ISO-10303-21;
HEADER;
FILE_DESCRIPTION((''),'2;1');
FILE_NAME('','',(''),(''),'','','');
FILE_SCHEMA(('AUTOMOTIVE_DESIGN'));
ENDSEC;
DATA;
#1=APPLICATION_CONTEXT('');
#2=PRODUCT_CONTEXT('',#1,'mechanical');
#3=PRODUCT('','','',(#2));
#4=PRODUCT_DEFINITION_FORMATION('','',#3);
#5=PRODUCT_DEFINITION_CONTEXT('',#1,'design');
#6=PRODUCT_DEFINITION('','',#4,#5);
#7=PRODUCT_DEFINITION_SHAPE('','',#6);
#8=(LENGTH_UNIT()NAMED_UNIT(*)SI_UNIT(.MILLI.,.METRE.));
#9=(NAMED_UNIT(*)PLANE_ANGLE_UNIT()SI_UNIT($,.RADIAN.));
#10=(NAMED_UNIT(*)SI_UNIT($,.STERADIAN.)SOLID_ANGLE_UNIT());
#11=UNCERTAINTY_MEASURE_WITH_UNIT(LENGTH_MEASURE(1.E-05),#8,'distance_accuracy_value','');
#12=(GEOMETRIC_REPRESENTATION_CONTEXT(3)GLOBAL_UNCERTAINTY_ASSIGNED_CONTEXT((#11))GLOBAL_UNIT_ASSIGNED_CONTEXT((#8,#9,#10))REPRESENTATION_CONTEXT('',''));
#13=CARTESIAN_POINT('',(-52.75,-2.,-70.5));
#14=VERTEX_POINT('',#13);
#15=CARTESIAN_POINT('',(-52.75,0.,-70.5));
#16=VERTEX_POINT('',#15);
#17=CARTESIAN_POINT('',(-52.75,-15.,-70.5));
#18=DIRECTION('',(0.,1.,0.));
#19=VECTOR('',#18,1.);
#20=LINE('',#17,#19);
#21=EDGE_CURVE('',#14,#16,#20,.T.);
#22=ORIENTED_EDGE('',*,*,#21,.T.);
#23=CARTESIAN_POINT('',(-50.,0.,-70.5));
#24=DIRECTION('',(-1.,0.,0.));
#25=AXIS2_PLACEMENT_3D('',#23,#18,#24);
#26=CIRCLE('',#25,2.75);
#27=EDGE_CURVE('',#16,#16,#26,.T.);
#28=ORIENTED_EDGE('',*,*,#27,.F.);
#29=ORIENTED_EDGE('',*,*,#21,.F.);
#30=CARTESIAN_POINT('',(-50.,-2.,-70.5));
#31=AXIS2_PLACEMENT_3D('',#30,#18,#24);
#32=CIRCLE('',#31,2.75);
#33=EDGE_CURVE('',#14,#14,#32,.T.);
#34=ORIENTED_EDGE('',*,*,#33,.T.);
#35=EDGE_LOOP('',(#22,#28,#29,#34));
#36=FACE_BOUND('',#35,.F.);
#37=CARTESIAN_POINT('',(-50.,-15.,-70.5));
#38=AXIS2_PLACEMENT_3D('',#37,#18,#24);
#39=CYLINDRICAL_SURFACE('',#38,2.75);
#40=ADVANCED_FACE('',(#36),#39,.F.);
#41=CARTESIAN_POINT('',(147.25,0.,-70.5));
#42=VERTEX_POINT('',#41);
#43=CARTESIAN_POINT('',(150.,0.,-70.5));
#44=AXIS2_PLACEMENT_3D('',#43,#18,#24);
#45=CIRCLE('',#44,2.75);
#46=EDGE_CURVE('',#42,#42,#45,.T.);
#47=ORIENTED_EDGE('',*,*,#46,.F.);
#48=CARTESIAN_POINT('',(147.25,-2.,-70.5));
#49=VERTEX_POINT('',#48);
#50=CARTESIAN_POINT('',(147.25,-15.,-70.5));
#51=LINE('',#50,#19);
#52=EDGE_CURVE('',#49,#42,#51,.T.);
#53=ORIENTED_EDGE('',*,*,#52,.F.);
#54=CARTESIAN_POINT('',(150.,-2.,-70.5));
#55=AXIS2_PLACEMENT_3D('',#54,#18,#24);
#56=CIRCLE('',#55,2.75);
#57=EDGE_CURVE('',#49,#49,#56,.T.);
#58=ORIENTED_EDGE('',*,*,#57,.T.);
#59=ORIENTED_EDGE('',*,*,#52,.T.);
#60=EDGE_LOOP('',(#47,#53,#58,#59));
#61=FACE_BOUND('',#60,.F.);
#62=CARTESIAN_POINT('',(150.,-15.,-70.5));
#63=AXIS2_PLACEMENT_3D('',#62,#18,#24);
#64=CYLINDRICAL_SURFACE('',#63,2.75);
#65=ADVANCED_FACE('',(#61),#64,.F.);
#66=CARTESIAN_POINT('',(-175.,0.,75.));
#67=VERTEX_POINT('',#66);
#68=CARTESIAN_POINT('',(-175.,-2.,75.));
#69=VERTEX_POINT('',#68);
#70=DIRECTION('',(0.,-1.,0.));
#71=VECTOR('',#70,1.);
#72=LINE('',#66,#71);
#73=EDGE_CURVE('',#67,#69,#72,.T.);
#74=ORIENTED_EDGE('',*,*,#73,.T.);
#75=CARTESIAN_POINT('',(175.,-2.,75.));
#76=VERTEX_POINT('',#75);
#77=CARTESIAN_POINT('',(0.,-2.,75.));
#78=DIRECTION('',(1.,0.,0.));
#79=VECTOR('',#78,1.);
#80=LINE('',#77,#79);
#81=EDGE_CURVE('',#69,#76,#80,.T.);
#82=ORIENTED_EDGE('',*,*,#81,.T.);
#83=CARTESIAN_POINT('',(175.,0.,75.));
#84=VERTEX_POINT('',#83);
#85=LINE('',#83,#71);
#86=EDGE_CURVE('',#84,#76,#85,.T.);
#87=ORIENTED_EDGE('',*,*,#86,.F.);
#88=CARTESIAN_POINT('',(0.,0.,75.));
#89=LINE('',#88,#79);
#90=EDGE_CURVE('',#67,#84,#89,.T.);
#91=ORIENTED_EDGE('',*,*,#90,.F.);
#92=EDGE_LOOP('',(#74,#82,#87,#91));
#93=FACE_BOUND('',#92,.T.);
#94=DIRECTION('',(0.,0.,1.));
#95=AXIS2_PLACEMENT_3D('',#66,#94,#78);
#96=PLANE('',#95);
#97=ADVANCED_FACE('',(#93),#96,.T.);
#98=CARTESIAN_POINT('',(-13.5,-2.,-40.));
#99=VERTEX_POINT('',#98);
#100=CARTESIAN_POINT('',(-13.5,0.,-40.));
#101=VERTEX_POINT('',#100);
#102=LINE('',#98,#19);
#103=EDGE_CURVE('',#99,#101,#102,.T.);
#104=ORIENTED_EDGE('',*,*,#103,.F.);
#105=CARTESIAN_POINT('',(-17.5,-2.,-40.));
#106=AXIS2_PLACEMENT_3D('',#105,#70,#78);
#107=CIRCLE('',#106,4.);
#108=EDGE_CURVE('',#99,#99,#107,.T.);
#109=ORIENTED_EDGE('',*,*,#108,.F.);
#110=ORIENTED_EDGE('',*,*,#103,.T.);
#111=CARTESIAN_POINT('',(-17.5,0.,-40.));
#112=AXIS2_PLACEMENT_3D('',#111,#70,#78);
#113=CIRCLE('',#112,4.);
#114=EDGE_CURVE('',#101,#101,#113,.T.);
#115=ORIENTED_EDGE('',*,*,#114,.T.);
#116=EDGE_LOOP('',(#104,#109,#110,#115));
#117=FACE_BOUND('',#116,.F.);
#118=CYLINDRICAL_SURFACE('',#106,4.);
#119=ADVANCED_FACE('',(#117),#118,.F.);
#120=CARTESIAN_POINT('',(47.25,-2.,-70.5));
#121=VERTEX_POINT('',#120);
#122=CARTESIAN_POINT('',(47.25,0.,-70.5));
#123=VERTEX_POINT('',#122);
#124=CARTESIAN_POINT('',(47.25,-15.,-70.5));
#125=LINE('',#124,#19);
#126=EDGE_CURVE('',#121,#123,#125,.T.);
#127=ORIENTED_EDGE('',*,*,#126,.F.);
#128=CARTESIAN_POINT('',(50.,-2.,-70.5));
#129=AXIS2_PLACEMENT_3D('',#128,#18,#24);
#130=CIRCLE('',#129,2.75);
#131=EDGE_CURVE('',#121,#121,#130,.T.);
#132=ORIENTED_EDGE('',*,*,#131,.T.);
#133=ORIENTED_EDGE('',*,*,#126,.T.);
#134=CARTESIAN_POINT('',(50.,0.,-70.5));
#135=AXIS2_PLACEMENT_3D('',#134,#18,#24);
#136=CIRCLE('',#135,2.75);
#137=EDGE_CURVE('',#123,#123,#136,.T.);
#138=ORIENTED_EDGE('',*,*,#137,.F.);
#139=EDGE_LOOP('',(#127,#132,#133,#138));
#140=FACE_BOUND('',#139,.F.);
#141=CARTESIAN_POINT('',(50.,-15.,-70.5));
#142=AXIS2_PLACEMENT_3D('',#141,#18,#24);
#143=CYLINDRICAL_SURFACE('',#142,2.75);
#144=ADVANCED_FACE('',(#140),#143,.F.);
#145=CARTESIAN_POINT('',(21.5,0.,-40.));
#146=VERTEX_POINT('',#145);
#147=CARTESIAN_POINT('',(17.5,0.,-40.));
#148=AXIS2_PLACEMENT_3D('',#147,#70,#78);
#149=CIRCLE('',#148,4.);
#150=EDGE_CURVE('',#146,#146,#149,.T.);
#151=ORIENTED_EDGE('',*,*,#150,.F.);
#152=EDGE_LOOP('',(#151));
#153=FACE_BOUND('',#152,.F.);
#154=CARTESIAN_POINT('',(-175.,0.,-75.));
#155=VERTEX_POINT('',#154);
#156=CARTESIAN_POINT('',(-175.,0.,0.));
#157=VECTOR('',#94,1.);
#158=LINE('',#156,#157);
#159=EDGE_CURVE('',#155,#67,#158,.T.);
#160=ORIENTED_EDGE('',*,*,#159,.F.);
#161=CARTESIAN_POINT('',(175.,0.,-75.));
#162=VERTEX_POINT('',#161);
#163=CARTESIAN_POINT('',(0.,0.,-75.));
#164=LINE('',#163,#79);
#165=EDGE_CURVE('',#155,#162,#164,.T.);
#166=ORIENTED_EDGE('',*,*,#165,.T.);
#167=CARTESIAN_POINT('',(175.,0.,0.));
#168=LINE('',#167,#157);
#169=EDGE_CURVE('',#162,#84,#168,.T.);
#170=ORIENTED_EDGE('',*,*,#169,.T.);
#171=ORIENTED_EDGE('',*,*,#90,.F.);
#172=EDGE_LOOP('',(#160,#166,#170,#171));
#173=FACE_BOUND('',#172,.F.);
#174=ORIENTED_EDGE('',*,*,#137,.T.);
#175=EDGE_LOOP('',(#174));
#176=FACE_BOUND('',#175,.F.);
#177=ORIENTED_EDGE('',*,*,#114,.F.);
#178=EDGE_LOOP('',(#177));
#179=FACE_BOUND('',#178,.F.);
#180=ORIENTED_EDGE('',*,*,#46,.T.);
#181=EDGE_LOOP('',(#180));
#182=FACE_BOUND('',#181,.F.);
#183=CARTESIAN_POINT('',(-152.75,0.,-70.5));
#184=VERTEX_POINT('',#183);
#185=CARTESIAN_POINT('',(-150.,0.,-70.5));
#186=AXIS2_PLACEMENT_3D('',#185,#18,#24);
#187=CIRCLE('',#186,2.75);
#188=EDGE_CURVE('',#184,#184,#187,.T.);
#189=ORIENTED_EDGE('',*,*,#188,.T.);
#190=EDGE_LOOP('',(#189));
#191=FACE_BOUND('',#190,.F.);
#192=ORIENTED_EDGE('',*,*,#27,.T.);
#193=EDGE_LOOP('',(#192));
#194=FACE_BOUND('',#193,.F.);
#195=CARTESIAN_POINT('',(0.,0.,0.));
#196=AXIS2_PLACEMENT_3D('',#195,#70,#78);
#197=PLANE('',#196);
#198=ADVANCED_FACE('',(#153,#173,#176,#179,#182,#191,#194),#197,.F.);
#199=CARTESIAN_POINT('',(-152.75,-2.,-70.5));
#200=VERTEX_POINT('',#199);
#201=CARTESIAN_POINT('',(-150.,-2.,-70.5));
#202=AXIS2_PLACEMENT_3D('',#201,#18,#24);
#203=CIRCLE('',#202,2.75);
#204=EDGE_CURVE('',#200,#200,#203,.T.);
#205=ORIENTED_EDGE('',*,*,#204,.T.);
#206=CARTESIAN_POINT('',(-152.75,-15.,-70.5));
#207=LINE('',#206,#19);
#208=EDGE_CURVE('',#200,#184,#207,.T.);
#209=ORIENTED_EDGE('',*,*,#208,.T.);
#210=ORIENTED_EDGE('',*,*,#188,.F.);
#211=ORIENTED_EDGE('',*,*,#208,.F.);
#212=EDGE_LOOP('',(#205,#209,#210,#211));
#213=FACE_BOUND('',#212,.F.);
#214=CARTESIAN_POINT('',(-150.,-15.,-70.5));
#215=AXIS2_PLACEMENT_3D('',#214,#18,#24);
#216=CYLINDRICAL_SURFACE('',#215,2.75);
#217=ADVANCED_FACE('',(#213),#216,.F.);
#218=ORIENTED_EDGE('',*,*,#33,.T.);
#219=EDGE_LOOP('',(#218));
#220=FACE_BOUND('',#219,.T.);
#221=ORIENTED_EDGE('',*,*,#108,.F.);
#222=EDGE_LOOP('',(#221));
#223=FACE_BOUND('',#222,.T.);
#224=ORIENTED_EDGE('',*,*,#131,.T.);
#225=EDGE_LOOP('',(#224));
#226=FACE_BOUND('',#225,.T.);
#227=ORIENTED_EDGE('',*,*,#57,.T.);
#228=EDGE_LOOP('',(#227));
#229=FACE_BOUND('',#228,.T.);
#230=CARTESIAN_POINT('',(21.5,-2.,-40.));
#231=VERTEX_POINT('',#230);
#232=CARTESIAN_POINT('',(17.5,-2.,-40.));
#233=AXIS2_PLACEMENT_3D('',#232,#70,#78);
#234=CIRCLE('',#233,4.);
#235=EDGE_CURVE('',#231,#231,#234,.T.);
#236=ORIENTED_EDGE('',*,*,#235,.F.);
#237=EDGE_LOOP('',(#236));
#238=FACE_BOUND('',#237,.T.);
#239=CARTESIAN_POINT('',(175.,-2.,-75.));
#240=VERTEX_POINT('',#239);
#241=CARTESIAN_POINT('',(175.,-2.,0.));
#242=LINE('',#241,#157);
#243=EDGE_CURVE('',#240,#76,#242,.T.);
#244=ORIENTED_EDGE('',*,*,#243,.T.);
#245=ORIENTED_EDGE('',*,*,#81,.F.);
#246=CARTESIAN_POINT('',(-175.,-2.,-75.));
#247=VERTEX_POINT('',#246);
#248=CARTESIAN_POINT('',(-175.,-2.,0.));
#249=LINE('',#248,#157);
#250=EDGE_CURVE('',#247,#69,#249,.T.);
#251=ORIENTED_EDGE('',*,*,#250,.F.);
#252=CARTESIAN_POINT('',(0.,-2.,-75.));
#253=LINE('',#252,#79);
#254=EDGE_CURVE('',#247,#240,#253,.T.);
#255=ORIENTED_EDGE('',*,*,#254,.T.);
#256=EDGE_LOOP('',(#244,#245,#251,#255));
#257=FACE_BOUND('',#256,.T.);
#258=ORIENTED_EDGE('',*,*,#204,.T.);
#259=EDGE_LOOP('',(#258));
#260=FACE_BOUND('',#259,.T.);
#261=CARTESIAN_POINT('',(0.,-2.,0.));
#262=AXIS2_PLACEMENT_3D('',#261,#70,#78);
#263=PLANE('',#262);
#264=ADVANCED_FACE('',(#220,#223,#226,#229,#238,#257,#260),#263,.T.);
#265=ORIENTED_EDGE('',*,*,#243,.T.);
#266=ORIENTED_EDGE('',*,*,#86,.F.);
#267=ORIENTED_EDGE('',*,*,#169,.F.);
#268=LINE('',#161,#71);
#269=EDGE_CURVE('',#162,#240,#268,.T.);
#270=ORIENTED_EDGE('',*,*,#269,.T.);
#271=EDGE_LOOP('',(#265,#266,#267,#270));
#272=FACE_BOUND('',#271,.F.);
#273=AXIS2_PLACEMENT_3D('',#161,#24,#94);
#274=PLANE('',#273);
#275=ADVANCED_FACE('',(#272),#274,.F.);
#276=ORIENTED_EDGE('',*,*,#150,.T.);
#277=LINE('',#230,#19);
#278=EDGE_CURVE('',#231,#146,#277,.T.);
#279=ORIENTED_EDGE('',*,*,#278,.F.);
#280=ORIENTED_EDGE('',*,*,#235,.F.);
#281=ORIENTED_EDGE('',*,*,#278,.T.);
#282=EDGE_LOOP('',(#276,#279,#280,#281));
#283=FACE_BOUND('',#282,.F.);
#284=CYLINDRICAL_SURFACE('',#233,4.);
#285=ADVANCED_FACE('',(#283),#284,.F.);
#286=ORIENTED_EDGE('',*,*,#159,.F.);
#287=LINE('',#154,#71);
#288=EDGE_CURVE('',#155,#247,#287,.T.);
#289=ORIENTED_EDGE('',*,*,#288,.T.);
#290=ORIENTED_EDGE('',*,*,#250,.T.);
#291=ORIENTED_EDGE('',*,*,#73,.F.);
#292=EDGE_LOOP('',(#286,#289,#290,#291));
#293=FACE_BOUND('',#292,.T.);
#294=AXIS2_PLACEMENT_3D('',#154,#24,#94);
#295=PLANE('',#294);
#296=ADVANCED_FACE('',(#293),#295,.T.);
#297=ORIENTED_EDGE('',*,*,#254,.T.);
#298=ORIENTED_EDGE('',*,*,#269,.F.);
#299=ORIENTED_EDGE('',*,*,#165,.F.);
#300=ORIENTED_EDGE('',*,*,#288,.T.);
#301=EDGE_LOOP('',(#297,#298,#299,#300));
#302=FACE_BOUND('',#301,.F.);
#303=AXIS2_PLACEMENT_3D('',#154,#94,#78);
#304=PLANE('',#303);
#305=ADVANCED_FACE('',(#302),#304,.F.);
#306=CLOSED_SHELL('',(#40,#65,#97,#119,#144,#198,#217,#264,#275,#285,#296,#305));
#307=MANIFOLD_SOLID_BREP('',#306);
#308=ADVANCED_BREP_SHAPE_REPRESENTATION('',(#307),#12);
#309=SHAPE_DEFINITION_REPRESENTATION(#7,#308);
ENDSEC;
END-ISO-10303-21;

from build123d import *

# Parameters (mm, degrees)
F0_W     = 350
F0_H     = 150
F1_DEPTH = 2
F2_R     = 4
F3_DEPTH = 25
F5_D     = 5.5
F5_DEPTH = 13
F5_TIP   = 1.6523667023


with BuildPart() as f1:
    # F0 (on Front) → F1 (new body)
    with BuildSketch(Plane.XZ):
        Rectangle(F0_W, F0_H)
    extrude(amount=F1_DEPTH)

    # F2 (on face) → F3 (cut)
    with BuildSketch(Plane.XZ.offset(2)):
        with Locations((-17.5, -40)):
            Circle(F2_R)
        with Locations((17.5, -40)):
            Circle(F2_R)
    extrude(amount=-F3_DEPTH, mode=Mode.SUBTRACT)

    # F5
    with Locations(Plane.XZ.offset(2)):
        with Locations((-150, -70.5), (-50, -70.5), (50, -70.5), (150, -70.5)):
            Hole(F5_D / 2, depth=F5_DEPTH)
            with Locations((0, 0, -(F5_DEPTH + F5_TIP / 2))):  # 118° drill point
                Cone(0, F5_D / 2, F5_TIP, mode=Mode.SUBTRACT)


solid = f1.part
